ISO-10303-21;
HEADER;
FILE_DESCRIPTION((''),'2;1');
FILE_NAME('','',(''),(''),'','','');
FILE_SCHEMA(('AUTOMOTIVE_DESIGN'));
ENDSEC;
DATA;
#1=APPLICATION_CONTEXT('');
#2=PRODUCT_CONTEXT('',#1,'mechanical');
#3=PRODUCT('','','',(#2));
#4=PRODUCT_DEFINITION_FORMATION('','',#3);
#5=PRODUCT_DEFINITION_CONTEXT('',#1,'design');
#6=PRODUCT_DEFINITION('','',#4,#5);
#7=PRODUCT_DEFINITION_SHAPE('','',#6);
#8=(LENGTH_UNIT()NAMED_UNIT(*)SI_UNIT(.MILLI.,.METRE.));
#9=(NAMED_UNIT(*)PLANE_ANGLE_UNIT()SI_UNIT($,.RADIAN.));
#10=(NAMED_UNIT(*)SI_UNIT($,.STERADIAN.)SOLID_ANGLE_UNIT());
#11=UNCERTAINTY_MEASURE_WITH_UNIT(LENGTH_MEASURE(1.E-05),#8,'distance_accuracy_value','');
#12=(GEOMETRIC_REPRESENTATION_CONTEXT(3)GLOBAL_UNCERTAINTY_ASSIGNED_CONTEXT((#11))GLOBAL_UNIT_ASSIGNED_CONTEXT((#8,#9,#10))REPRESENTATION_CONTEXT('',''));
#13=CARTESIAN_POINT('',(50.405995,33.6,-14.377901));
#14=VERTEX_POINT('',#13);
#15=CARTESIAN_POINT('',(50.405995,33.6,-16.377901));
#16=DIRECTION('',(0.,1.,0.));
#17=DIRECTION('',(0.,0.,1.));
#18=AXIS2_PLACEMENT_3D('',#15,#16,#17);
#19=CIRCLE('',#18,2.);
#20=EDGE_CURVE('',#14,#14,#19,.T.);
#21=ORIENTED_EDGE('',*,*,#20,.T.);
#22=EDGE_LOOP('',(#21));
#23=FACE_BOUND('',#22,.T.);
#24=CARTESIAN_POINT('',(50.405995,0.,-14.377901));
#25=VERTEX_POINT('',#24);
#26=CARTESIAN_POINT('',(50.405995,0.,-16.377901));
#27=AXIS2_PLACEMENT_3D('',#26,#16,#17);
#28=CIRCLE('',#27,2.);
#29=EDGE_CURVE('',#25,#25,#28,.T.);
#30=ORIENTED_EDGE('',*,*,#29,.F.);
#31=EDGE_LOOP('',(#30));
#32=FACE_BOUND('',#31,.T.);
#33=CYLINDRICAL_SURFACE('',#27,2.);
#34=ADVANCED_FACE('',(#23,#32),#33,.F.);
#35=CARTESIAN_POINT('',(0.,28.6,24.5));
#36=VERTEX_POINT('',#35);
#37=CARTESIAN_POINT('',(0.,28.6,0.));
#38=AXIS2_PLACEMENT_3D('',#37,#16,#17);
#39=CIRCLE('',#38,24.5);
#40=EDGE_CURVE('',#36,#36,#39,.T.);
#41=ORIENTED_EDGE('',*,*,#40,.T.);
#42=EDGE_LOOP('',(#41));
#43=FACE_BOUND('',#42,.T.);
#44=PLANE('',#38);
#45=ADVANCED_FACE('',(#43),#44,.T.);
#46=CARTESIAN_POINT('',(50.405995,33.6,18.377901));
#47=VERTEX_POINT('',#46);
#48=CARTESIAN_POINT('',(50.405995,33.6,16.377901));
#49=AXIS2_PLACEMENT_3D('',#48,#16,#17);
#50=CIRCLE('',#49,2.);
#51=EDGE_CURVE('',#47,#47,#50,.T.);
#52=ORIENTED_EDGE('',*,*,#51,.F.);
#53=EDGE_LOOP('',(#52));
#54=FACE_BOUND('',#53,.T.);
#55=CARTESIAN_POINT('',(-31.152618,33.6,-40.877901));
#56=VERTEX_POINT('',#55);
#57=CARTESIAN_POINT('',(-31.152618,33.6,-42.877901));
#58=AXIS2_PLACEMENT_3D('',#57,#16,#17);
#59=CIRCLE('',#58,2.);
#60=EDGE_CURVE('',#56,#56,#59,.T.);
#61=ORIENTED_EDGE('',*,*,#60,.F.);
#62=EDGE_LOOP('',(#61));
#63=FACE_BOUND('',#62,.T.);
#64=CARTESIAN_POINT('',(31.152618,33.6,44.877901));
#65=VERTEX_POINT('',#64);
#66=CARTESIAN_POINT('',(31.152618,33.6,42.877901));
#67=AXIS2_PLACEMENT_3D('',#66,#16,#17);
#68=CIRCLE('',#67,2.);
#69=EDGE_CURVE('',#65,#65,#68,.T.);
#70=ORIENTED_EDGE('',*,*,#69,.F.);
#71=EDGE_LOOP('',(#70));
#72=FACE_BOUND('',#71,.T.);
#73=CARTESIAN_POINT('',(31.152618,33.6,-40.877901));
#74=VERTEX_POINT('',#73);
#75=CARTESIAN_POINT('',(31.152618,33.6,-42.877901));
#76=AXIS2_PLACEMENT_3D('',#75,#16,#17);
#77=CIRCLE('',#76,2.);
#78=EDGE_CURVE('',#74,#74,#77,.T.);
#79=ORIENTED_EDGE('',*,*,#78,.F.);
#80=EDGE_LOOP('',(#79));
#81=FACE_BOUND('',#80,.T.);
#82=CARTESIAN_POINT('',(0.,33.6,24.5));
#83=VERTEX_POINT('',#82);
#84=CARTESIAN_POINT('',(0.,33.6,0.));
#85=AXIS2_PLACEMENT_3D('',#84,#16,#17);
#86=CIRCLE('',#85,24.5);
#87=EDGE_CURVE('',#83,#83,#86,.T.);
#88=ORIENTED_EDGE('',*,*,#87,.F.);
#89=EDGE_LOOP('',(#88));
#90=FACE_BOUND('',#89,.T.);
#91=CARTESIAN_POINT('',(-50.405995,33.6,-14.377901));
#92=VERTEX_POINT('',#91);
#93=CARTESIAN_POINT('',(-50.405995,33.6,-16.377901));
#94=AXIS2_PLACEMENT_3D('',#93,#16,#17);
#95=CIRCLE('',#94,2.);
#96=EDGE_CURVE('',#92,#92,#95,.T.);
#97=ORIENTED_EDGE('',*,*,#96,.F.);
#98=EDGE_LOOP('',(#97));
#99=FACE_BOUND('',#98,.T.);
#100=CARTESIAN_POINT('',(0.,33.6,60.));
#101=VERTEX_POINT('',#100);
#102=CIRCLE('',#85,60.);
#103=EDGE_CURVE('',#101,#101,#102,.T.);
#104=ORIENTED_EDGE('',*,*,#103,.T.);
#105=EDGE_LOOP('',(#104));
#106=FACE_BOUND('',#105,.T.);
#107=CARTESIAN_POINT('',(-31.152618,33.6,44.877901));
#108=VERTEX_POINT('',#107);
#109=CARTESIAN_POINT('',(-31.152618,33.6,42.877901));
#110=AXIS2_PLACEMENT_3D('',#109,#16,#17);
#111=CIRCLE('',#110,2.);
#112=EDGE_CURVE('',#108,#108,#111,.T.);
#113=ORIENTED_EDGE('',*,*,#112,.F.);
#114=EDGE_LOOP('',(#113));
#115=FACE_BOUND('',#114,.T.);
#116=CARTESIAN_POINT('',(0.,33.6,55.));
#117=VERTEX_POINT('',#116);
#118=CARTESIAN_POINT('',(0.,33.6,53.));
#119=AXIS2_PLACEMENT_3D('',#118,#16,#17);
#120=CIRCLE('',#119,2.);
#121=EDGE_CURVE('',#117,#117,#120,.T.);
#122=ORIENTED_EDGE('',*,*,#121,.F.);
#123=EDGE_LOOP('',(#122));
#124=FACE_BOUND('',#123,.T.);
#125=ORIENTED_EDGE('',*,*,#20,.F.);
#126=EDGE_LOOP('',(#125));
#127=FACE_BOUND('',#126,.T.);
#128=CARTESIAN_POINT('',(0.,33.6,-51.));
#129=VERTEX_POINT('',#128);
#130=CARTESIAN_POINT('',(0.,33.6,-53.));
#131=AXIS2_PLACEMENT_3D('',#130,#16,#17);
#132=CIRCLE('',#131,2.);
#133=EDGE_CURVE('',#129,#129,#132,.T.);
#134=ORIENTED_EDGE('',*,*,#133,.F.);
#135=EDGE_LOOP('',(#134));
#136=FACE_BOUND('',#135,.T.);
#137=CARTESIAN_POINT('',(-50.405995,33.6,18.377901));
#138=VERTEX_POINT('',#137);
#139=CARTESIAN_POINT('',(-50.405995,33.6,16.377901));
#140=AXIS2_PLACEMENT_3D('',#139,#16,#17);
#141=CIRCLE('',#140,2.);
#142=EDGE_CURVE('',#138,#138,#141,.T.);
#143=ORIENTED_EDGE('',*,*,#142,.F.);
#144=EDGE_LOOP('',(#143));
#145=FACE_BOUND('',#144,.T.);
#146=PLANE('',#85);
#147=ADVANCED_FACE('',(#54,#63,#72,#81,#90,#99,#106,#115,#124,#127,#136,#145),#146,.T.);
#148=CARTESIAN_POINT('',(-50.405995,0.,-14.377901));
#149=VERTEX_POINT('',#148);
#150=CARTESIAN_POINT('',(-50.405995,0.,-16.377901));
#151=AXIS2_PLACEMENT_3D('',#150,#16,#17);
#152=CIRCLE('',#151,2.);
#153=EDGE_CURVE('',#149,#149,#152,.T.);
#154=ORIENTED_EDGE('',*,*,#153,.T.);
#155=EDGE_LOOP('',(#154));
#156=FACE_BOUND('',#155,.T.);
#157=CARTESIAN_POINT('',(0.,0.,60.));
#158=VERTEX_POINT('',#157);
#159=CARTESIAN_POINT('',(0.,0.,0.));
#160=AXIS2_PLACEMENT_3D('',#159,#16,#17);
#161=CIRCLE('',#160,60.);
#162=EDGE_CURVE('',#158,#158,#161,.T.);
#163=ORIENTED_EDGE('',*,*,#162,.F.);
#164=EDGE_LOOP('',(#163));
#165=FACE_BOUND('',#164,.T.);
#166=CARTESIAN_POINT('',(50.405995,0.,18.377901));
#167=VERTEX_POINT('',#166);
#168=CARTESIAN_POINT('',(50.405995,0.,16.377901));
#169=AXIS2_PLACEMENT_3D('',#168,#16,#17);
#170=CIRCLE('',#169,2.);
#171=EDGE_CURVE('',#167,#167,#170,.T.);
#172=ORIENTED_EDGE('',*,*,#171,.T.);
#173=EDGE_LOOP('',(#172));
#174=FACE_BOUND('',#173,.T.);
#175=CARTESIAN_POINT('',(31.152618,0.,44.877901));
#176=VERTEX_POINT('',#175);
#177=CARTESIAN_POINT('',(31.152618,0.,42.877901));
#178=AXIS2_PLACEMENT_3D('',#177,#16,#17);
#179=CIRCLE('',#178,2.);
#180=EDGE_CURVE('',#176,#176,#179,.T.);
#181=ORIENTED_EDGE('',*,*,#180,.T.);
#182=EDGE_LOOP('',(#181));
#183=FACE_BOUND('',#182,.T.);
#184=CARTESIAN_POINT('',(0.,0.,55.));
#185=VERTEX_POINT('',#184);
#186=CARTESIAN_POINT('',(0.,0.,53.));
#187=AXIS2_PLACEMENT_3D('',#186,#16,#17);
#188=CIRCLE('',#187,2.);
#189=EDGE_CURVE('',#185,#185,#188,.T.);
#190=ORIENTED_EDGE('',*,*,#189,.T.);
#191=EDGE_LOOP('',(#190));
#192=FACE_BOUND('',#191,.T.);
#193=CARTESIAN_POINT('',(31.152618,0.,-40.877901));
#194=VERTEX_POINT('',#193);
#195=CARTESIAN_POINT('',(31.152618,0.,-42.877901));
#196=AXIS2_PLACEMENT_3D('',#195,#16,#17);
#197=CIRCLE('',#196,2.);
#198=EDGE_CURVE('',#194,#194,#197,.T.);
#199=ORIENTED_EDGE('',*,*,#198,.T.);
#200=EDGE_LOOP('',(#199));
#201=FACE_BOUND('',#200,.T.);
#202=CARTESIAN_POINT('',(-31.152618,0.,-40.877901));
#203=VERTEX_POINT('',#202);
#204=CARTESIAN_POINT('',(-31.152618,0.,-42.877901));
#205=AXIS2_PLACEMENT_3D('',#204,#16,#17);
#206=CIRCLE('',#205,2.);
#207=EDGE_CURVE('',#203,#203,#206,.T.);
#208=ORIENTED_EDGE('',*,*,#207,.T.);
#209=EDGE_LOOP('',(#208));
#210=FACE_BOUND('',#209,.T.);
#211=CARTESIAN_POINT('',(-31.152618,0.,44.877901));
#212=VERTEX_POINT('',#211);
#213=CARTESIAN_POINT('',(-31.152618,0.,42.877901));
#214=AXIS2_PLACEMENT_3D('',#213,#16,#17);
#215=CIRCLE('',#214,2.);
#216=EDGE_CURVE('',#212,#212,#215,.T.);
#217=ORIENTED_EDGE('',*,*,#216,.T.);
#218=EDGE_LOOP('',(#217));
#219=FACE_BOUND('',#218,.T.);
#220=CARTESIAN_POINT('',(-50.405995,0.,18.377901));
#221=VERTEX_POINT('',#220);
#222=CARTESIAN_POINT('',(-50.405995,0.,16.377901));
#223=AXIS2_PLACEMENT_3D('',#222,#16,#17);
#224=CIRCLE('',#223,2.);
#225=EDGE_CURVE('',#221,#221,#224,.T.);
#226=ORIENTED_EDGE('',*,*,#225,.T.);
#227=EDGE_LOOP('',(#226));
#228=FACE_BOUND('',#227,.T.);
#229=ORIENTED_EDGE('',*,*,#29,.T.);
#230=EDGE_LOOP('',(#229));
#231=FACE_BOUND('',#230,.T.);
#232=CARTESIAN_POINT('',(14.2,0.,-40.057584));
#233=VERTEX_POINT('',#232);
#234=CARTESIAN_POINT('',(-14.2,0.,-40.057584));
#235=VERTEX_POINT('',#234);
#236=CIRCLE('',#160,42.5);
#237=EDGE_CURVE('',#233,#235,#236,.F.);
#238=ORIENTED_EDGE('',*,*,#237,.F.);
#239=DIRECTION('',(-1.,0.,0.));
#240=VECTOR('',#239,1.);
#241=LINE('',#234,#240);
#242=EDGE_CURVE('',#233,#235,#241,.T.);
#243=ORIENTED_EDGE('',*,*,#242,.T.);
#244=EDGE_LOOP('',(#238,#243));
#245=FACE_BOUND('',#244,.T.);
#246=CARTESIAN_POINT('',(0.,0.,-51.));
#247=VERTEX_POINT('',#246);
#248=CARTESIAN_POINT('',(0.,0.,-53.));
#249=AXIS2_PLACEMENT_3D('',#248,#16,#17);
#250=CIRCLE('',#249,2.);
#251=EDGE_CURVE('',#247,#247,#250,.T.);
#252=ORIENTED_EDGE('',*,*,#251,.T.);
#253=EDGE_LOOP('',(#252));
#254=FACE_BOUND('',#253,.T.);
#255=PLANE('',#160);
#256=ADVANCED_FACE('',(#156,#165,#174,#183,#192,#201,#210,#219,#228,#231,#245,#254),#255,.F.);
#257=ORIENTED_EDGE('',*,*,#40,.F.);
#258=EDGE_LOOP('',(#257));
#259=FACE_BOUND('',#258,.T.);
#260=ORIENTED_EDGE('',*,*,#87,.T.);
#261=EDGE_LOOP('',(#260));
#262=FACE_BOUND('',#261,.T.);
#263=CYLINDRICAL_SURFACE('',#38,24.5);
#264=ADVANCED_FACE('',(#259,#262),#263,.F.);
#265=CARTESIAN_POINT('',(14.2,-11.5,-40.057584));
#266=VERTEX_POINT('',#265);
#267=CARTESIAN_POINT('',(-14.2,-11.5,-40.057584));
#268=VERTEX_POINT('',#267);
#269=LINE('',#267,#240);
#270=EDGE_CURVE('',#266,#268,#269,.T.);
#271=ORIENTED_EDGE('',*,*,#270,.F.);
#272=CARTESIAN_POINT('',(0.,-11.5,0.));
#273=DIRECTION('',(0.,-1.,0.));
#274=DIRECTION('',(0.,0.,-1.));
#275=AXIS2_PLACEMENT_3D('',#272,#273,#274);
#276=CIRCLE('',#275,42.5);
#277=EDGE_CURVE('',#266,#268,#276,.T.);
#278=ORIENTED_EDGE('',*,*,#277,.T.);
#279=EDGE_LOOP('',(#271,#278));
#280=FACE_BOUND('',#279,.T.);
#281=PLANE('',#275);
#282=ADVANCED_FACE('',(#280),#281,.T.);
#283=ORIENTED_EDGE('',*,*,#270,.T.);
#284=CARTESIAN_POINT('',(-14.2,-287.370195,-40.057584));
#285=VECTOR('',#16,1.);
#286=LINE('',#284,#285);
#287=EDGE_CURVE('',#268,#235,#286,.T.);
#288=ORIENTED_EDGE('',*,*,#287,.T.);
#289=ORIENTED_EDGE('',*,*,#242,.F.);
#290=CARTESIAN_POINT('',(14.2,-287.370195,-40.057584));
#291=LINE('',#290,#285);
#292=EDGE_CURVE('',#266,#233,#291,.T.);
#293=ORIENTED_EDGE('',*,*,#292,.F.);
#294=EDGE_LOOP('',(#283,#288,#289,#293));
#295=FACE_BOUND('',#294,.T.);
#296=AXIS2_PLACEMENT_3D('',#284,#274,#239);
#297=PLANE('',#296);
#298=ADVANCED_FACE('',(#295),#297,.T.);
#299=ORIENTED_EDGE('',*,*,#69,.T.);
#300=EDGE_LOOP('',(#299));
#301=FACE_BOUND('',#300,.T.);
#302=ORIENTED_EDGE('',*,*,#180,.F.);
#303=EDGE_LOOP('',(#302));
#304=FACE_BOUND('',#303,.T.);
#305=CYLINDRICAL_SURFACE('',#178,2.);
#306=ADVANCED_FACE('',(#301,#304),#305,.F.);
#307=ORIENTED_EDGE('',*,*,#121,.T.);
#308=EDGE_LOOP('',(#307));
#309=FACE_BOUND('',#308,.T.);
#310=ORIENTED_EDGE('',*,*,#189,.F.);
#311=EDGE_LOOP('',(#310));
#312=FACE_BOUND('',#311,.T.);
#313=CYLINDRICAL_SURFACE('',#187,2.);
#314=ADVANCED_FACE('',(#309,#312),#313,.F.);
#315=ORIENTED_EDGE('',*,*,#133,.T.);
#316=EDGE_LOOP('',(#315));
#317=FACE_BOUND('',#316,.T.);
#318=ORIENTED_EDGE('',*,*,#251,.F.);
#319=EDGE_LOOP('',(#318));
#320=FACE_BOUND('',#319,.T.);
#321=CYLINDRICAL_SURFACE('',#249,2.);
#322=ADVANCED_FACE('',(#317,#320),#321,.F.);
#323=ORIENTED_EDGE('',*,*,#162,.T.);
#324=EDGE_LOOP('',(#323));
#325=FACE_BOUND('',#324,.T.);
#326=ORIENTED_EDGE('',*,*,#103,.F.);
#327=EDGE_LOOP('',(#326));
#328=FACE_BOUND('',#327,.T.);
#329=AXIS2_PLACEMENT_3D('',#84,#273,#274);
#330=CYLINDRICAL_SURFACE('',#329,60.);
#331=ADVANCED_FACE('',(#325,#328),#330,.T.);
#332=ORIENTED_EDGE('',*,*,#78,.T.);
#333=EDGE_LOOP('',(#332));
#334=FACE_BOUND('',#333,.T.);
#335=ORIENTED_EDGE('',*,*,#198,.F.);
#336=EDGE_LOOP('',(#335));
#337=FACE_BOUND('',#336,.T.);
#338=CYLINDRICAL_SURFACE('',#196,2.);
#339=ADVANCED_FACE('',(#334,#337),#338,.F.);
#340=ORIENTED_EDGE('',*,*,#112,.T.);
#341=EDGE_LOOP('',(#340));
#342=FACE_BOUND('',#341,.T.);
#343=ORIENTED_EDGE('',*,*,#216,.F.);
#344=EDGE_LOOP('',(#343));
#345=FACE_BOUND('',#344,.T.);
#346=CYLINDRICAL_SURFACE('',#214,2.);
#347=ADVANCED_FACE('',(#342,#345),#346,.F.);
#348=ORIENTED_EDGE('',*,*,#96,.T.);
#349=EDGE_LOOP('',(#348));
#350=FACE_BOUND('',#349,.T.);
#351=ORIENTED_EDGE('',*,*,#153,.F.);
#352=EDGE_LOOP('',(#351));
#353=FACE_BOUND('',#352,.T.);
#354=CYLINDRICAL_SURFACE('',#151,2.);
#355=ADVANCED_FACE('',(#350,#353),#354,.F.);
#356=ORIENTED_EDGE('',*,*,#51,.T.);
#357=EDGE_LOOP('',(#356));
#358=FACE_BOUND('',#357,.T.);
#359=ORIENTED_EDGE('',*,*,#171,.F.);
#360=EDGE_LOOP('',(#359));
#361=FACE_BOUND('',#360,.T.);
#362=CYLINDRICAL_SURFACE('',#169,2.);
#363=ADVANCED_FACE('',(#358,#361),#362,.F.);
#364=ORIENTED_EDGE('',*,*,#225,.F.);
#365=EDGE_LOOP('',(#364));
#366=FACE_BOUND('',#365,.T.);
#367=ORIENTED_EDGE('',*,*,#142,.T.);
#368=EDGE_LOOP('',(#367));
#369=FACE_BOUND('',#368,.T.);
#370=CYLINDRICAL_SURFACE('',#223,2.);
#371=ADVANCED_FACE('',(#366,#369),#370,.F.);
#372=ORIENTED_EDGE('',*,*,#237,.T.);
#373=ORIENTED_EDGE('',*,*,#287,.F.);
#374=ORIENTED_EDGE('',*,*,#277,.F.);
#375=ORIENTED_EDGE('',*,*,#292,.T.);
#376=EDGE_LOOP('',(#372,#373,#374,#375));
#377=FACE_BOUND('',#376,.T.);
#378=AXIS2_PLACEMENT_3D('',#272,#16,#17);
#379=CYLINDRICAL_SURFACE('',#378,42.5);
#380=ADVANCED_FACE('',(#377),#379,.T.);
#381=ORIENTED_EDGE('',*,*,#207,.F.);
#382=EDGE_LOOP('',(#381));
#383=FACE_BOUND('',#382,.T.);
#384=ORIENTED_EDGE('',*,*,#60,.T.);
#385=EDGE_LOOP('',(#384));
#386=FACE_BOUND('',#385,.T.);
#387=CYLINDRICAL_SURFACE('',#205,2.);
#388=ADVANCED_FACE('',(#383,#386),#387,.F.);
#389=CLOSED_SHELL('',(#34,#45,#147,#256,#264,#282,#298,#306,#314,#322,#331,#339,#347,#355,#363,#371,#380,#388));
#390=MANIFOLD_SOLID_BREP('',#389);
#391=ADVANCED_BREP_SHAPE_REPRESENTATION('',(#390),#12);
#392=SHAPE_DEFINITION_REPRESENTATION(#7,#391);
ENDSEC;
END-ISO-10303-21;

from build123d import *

# Parameters (mm, degrees)
SKETCH1_R               = 60
BOSS_EXTRUDE1_DEPTH     = 33.6
CUT_EXTRUDE2_DEPTH      = 92.263136041
CUT_EXTRUDE2_DEPTH_BACK = 92.263136041
SKETCH2_R               = 2
SKETCH4_R               = 24.5
CUT_EXTRUDE3_DEPTH      = 5
SKETCH5_R               = 42.5
BOSS_EXTRUDE2_DEPTH     = 11.5
CUT_EXTRUDE4_DEPTH      = 97.093756301
CUT_EXTRUDE4_DEPTH_BACK = 11.5


with BuildPart() as part:
    # Sketch1 → Boss-Extrude1 (new body)
    with BuildSketch(Plane(origin=(0, 0, 0), x_dir=(1, 0, 0), z_dir=(0, 1, 0))):
        with Locations(Location((0, 0, 0), (0, 0, 270))):
            Circle(SKETCH1_R)
    extrude(amount=BOSS_EXTRUDE1_DEPTH)

    # Sketch2 → Cut-Extrude2 (cut, two sides: drawn at the far end of the back side and taken through both)
    with BuildSketch(Plane(origin=(0, 33.6, 0), x_dir=(1, 0, 0), z_dir=(0, 1, 0)).offset(-CUT_EXTRUDE2_DEPTH_BACK)):
        with Locations(Location((0, 53, 0), (0, 0, 270))):
            Circle(SKETCH2_R)
        with Locations(Location((31.152618372, 42.877900702, 0), (0, 0, 270))):
            Circle(SKETCH2_R)
        with Locations(Location((50.405995364, 16.377900702, 0), (0, 0, 270))):
            Circle(SKETCH2_R)
        with Locations(Location((50.405995364, -16.377900702, 0), (0, 0, 270))):
            Circle(SKETCH2_R)
        with Locations(Location((31.152618372, -42.877900702, 0), (0, 0, 270))):
            Circle(SKETCH2_R)
        with Locations(Location((0, -53, 0), (0, 0, 270))):
            Circle(SKETCH2_R)
        with Locations(Location((-31.152618372, -42.877900702, 0), (0, 0, 270))):
            Circle(SKETCH2_R)
        with Locations(Location((-50.405995364, -16.377900702, 0), (0, 0, 270))):
            Circle(SKETCH2_R)
        with Locations(Location((-50.405995364, 16.377900702, 0), (0, 0, 270))):
            Circle(SKETCH2_R)
        with Locations(Location((-31.152618372, 42.877900702, 0), (0, 0, 270))):
            Circle(SKETCH2_R)
    extrude(amount=CUT_EXTRUDE2_DEPTH + CUT_EXTRUDE2_DEPTH_BACK, mode=Mode.SUBTRACT)

    # Sketch4 → Cut-Extrude3 (cut)
    with BuildSketch(Plane(origin=(0, 33.6, 0), x_dir=(1, 0, 0), z_dir=(0, 1, 0))):
        with Locations(Location((0, 0, 0), (0, 0, 270))):
            Circle(SKETCH4_R)
    extrude(amount=-CUT_EXTRUDE3_DEPTH, mode=Mode.SUBTRACT)

    # Sketch5 → Boss-Extrude2 (add)
    with BuildSketch(Plane.XZ):
        with Locations(Location((0, 0, 0), (0, 0, 90))):
            Circle(SKETCH5_R)
    extrude(amount=BOSS_EXTRUDE2_DEPTH)

    # Sketch6 → Cut-Extrude4 (cut, two sides: drawn at the far end of the back side and taken through both)
    with BuildSketch(Plane.XZ.offset(11.5).offset(-CUT_EXTRUDE4_DEPTH_BACK)):
        with BuildLine():
            Line((14.2, -40.057583552), (-14.2, -40.057583552))
            ThreePointArc((-14.2, -40.057583552), (0, -42.5), (14.2, -40.057583552))
        make_face()
    extrude(amount=CUT_EXTRUDE4_DEPTH + CUT_EXTRUDE4_DEPTH_BACK, mode=Mode.SUBTRACT)


solid = part.part
